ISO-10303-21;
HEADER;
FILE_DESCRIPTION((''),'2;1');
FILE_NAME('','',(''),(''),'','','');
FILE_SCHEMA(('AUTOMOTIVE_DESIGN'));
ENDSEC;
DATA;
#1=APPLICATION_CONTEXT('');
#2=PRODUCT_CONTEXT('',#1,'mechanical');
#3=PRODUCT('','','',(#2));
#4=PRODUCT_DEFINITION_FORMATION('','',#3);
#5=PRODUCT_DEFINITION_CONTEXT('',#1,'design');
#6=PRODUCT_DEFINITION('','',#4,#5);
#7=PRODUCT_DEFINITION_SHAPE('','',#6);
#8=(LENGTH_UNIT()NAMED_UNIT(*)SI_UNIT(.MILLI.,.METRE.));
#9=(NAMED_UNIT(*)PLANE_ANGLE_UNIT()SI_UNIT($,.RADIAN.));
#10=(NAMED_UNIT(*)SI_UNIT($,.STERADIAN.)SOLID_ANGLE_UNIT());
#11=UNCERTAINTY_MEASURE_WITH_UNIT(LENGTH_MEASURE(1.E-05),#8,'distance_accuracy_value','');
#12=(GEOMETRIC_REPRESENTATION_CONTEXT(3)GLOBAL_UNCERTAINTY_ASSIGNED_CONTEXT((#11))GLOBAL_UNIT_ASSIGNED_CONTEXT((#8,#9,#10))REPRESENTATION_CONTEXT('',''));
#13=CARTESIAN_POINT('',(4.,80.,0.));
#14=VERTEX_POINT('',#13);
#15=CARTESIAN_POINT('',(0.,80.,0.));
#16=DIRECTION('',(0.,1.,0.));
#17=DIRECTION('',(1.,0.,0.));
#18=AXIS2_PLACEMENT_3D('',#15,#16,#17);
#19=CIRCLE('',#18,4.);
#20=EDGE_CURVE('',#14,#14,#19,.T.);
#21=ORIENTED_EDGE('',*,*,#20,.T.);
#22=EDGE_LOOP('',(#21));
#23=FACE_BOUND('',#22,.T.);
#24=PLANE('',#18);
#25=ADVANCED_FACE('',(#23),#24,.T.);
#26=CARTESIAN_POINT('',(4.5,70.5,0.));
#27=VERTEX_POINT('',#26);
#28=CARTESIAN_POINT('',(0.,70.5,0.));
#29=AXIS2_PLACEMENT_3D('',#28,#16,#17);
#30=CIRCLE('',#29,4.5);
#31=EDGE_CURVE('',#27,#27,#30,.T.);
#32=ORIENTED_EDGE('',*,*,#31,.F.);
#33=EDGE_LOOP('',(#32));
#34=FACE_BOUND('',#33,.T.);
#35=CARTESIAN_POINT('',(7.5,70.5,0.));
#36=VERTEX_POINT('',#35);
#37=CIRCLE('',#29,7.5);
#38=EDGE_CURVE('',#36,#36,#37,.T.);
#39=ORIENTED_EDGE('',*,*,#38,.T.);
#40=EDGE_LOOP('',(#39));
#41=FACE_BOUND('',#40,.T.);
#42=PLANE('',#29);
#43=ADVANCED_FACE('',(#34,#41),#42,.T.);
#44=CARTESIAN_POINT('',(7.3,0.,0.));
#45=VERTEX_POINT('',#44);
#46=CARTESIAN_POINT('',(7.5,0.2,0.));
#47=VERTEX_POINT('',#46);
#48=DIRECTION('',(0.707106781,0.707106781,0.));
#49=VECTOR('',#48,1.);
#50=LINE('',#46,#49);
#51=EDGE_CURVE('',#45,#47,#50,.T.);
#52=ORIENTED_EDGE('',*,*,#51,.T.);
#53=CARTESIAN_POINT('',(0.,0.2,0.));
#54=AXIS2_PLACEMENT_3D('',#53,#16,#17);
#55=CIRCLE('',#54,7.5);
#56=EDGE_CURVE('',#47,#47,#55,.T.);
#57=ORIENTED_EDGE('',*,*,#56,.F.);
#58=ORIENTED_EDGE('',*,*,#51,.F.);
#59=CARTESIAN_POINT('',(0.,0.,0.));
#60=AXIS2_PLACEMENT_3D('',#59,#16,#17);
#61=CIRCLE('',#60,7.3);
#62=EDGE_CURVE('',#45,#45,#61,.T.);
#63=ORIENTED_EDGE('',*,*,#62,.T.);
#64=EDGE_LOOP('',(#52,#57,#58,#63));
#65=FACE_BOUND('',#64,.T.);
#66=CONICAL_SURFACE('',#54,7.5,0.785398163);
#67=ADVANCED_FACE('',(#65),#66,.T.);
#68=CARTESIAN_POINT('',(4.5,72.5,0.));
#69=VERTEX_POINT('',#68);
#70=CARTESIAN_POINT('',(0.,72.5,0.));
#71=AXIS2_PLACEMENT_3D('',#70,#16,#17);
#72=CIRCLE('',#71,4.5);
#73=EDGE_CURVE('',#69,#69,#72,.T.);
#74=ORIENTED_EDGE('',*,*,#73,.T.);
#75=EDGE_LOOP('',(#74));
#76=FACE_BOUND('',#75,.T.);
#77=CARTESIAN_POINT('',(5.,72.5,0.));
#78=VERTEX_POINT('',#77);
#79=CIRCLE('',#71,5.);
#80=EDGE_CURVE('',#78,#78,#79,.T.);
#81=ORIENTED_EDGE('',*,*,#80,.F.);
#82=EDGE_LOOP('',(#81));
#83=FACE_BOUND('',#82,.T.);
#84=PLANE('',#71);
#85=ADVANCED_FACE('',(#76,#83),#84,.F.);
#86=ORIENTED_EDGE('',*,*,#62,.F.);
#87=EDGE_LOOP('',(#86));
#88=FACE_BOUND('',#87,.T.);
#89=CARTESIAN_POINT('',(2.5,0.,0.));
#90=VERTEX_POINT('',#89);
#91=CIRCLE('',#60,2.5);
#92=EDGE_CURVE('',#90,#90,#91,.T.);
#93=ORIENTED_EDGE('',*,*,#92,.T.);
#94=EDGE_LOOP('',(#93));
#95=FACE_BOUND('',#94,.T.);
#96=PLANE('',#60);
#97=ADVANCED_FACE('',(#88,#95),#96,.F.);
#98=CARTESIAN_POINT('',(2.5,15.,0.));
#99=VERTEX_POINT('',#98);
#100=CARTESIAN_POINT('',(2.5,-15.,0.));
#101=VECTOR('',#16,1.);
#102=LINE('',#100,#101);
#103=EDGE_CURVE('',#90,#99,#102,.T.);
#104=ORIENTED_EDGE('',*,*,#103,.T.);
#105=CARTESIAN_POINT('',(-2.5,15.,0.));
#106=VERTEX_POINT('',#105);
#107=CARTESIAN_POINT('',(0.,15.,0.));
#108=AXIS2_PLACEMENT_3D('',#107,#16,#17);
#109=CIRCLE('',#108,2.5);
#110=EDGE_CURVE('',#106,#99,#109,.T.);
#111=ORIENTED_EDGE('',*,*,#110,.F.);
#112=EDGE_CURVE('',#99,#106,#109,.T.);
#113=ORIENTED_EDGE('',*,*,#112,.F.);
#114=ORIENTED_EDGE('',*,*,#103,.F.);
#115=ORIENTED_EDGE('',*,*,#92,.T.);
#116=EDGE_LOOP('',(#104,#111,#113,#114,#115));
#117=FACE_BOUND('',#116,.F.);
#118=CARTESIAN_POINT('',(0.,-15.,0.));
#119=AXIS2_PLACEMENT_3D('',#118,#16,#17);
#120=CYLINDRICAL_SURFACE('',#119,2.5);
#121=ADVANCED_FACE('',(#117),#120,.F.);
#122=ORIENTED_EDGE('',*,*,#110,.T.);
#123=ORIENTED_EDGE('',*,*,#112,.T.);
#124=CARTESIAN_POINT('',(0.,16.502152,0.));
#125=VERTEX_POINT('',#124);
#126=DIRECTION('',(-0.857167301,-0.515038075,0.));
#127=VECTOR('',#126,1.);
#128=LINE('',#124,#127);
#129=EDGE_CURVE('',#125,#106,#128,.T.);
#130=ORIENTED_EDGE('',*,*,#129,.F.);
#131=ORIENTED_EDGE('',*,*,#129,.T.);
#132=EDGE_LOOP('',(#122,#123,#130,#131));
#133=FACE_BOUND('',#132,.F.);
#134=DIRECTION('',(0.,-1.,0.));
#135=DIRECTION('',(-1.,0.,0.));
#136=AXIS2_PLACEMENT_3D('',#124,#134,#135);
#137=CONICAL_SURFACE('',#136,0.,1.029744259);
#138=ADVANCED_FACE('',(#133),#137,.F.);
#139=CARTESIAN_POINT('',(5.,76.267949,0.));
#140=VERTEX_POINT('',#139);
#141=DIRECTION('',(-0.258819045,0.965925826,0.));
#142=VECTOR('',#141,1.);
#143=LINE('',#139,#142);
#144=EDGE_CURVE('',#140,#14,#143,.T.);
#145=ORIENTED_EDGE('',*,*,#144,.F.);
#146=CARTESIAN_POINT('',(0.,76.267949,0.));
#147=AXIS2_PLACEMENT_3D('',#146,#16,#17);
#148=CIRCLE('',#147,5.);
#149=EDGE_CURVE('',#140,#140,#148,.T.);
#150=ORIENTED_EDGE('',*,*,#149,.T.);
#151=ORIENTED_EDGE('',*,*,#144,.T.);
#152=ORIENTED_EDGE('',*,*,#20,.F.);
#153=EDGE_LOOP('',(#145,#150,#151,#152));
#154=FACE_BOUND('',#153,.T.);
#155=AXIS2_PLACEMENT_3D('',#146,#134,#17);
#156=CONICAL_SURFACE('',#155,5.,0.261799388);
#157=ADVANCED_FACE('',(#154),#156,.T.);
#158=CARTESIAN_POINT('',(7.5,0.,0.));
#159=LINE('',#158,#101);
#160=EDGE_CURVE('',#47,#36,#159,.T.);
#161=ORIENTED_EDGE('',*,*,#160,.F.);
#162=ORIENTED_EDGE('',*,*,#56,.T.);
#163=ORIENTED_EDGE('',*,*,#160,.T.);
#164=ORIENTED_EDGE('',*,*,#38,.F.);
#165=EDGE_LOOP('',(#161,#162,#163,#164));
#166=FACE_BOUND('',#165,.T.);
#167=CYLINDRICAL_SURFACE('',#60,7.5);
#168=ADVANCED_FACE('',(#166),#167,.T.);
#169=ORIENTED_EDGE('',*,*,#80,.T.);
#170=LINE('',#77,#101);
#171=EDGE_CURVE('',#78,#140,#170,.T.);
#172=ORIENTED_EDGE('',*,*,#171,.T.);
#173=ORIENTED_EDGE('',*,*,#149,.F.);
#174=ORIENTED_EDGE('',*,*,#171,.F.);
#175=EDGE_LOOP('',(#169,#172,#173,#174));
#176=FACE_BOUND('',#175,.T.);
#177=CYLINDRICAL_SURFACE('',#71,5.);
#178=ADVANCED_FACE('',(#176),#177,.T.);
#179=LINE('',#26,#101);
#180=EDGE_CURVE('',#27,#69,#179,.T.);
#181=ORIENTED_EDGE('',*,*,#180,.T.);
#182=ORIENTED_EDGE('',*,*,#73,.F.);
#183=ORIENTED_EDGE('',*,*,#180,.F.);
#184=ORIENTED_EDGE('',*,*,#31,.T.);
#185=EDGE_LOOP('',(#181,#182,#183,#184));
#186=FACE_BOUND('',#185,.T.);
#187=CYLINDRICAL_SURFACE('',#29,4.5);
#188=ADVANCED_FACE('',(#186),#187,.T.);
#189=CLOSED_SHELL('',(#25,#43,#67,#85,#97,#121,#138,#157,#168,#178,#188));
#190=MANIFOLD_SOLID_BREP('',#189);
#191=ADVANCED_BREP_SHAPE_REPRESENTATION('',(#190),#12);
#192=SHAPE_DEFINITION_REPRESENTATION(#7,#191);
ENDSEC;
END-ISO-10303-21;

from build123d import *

# Parameters (mm, degrees)
HOLE_WIZARD_M6_1_D     = 5
HOLE_WIZARD_M6_1_DEPTH = 15
HOLE_WIZARD_M6_1_TIP   = 1.502151548
CHAMFER_1_SIZE         = 0.2


with BuildPart() as part:
    # 草图1 → 旋转1 (revolve)
    with BuildSketch(Plane.XY):
        Polygon((0, 0), (7.5, 0), (7.5, 70.5), (4.5, 70.5), (4.5, 72.5), (5, 72.5), (5, 76.267949192), (4, 80), (0, 80), align=None)
    revolve(axis=Axis((0, -1000, 0), (0, 1, 0)))

    # M6 螺纹孔1
    with Locations(Plane(origin=(0, 0, 0), x_dir=(-1, 0, 0), z_dir=(0, -1, 0))):
        with Locations((0, 0)):
            Hole(HOLE_WIZARD_M6_1_D / 2, depth=HOLE_WIZARD_M6_1_DEPTH)
            with Locations((0, 0, -(HOLE_WIZARD_M6_1_DEPTH + HOLE_WIZARD_M6_1_TIP / 2))):  # 118° drill point
                Cone(0, HOLE_WIZARD_M6_1_D / 2, HOLE_WIZARD_M6_1_TIP, mode=Mode.SUBTRACT)

    # 倒角1
    chamfer_1_edges = [part.edges().sort_by_distance(p)[0] for p in [
        (-7.5, 0, 0),
    ]]
    chamfer(chamfer_1_edges, length=CHAMFER_1_SIZE)


solid = part.part
